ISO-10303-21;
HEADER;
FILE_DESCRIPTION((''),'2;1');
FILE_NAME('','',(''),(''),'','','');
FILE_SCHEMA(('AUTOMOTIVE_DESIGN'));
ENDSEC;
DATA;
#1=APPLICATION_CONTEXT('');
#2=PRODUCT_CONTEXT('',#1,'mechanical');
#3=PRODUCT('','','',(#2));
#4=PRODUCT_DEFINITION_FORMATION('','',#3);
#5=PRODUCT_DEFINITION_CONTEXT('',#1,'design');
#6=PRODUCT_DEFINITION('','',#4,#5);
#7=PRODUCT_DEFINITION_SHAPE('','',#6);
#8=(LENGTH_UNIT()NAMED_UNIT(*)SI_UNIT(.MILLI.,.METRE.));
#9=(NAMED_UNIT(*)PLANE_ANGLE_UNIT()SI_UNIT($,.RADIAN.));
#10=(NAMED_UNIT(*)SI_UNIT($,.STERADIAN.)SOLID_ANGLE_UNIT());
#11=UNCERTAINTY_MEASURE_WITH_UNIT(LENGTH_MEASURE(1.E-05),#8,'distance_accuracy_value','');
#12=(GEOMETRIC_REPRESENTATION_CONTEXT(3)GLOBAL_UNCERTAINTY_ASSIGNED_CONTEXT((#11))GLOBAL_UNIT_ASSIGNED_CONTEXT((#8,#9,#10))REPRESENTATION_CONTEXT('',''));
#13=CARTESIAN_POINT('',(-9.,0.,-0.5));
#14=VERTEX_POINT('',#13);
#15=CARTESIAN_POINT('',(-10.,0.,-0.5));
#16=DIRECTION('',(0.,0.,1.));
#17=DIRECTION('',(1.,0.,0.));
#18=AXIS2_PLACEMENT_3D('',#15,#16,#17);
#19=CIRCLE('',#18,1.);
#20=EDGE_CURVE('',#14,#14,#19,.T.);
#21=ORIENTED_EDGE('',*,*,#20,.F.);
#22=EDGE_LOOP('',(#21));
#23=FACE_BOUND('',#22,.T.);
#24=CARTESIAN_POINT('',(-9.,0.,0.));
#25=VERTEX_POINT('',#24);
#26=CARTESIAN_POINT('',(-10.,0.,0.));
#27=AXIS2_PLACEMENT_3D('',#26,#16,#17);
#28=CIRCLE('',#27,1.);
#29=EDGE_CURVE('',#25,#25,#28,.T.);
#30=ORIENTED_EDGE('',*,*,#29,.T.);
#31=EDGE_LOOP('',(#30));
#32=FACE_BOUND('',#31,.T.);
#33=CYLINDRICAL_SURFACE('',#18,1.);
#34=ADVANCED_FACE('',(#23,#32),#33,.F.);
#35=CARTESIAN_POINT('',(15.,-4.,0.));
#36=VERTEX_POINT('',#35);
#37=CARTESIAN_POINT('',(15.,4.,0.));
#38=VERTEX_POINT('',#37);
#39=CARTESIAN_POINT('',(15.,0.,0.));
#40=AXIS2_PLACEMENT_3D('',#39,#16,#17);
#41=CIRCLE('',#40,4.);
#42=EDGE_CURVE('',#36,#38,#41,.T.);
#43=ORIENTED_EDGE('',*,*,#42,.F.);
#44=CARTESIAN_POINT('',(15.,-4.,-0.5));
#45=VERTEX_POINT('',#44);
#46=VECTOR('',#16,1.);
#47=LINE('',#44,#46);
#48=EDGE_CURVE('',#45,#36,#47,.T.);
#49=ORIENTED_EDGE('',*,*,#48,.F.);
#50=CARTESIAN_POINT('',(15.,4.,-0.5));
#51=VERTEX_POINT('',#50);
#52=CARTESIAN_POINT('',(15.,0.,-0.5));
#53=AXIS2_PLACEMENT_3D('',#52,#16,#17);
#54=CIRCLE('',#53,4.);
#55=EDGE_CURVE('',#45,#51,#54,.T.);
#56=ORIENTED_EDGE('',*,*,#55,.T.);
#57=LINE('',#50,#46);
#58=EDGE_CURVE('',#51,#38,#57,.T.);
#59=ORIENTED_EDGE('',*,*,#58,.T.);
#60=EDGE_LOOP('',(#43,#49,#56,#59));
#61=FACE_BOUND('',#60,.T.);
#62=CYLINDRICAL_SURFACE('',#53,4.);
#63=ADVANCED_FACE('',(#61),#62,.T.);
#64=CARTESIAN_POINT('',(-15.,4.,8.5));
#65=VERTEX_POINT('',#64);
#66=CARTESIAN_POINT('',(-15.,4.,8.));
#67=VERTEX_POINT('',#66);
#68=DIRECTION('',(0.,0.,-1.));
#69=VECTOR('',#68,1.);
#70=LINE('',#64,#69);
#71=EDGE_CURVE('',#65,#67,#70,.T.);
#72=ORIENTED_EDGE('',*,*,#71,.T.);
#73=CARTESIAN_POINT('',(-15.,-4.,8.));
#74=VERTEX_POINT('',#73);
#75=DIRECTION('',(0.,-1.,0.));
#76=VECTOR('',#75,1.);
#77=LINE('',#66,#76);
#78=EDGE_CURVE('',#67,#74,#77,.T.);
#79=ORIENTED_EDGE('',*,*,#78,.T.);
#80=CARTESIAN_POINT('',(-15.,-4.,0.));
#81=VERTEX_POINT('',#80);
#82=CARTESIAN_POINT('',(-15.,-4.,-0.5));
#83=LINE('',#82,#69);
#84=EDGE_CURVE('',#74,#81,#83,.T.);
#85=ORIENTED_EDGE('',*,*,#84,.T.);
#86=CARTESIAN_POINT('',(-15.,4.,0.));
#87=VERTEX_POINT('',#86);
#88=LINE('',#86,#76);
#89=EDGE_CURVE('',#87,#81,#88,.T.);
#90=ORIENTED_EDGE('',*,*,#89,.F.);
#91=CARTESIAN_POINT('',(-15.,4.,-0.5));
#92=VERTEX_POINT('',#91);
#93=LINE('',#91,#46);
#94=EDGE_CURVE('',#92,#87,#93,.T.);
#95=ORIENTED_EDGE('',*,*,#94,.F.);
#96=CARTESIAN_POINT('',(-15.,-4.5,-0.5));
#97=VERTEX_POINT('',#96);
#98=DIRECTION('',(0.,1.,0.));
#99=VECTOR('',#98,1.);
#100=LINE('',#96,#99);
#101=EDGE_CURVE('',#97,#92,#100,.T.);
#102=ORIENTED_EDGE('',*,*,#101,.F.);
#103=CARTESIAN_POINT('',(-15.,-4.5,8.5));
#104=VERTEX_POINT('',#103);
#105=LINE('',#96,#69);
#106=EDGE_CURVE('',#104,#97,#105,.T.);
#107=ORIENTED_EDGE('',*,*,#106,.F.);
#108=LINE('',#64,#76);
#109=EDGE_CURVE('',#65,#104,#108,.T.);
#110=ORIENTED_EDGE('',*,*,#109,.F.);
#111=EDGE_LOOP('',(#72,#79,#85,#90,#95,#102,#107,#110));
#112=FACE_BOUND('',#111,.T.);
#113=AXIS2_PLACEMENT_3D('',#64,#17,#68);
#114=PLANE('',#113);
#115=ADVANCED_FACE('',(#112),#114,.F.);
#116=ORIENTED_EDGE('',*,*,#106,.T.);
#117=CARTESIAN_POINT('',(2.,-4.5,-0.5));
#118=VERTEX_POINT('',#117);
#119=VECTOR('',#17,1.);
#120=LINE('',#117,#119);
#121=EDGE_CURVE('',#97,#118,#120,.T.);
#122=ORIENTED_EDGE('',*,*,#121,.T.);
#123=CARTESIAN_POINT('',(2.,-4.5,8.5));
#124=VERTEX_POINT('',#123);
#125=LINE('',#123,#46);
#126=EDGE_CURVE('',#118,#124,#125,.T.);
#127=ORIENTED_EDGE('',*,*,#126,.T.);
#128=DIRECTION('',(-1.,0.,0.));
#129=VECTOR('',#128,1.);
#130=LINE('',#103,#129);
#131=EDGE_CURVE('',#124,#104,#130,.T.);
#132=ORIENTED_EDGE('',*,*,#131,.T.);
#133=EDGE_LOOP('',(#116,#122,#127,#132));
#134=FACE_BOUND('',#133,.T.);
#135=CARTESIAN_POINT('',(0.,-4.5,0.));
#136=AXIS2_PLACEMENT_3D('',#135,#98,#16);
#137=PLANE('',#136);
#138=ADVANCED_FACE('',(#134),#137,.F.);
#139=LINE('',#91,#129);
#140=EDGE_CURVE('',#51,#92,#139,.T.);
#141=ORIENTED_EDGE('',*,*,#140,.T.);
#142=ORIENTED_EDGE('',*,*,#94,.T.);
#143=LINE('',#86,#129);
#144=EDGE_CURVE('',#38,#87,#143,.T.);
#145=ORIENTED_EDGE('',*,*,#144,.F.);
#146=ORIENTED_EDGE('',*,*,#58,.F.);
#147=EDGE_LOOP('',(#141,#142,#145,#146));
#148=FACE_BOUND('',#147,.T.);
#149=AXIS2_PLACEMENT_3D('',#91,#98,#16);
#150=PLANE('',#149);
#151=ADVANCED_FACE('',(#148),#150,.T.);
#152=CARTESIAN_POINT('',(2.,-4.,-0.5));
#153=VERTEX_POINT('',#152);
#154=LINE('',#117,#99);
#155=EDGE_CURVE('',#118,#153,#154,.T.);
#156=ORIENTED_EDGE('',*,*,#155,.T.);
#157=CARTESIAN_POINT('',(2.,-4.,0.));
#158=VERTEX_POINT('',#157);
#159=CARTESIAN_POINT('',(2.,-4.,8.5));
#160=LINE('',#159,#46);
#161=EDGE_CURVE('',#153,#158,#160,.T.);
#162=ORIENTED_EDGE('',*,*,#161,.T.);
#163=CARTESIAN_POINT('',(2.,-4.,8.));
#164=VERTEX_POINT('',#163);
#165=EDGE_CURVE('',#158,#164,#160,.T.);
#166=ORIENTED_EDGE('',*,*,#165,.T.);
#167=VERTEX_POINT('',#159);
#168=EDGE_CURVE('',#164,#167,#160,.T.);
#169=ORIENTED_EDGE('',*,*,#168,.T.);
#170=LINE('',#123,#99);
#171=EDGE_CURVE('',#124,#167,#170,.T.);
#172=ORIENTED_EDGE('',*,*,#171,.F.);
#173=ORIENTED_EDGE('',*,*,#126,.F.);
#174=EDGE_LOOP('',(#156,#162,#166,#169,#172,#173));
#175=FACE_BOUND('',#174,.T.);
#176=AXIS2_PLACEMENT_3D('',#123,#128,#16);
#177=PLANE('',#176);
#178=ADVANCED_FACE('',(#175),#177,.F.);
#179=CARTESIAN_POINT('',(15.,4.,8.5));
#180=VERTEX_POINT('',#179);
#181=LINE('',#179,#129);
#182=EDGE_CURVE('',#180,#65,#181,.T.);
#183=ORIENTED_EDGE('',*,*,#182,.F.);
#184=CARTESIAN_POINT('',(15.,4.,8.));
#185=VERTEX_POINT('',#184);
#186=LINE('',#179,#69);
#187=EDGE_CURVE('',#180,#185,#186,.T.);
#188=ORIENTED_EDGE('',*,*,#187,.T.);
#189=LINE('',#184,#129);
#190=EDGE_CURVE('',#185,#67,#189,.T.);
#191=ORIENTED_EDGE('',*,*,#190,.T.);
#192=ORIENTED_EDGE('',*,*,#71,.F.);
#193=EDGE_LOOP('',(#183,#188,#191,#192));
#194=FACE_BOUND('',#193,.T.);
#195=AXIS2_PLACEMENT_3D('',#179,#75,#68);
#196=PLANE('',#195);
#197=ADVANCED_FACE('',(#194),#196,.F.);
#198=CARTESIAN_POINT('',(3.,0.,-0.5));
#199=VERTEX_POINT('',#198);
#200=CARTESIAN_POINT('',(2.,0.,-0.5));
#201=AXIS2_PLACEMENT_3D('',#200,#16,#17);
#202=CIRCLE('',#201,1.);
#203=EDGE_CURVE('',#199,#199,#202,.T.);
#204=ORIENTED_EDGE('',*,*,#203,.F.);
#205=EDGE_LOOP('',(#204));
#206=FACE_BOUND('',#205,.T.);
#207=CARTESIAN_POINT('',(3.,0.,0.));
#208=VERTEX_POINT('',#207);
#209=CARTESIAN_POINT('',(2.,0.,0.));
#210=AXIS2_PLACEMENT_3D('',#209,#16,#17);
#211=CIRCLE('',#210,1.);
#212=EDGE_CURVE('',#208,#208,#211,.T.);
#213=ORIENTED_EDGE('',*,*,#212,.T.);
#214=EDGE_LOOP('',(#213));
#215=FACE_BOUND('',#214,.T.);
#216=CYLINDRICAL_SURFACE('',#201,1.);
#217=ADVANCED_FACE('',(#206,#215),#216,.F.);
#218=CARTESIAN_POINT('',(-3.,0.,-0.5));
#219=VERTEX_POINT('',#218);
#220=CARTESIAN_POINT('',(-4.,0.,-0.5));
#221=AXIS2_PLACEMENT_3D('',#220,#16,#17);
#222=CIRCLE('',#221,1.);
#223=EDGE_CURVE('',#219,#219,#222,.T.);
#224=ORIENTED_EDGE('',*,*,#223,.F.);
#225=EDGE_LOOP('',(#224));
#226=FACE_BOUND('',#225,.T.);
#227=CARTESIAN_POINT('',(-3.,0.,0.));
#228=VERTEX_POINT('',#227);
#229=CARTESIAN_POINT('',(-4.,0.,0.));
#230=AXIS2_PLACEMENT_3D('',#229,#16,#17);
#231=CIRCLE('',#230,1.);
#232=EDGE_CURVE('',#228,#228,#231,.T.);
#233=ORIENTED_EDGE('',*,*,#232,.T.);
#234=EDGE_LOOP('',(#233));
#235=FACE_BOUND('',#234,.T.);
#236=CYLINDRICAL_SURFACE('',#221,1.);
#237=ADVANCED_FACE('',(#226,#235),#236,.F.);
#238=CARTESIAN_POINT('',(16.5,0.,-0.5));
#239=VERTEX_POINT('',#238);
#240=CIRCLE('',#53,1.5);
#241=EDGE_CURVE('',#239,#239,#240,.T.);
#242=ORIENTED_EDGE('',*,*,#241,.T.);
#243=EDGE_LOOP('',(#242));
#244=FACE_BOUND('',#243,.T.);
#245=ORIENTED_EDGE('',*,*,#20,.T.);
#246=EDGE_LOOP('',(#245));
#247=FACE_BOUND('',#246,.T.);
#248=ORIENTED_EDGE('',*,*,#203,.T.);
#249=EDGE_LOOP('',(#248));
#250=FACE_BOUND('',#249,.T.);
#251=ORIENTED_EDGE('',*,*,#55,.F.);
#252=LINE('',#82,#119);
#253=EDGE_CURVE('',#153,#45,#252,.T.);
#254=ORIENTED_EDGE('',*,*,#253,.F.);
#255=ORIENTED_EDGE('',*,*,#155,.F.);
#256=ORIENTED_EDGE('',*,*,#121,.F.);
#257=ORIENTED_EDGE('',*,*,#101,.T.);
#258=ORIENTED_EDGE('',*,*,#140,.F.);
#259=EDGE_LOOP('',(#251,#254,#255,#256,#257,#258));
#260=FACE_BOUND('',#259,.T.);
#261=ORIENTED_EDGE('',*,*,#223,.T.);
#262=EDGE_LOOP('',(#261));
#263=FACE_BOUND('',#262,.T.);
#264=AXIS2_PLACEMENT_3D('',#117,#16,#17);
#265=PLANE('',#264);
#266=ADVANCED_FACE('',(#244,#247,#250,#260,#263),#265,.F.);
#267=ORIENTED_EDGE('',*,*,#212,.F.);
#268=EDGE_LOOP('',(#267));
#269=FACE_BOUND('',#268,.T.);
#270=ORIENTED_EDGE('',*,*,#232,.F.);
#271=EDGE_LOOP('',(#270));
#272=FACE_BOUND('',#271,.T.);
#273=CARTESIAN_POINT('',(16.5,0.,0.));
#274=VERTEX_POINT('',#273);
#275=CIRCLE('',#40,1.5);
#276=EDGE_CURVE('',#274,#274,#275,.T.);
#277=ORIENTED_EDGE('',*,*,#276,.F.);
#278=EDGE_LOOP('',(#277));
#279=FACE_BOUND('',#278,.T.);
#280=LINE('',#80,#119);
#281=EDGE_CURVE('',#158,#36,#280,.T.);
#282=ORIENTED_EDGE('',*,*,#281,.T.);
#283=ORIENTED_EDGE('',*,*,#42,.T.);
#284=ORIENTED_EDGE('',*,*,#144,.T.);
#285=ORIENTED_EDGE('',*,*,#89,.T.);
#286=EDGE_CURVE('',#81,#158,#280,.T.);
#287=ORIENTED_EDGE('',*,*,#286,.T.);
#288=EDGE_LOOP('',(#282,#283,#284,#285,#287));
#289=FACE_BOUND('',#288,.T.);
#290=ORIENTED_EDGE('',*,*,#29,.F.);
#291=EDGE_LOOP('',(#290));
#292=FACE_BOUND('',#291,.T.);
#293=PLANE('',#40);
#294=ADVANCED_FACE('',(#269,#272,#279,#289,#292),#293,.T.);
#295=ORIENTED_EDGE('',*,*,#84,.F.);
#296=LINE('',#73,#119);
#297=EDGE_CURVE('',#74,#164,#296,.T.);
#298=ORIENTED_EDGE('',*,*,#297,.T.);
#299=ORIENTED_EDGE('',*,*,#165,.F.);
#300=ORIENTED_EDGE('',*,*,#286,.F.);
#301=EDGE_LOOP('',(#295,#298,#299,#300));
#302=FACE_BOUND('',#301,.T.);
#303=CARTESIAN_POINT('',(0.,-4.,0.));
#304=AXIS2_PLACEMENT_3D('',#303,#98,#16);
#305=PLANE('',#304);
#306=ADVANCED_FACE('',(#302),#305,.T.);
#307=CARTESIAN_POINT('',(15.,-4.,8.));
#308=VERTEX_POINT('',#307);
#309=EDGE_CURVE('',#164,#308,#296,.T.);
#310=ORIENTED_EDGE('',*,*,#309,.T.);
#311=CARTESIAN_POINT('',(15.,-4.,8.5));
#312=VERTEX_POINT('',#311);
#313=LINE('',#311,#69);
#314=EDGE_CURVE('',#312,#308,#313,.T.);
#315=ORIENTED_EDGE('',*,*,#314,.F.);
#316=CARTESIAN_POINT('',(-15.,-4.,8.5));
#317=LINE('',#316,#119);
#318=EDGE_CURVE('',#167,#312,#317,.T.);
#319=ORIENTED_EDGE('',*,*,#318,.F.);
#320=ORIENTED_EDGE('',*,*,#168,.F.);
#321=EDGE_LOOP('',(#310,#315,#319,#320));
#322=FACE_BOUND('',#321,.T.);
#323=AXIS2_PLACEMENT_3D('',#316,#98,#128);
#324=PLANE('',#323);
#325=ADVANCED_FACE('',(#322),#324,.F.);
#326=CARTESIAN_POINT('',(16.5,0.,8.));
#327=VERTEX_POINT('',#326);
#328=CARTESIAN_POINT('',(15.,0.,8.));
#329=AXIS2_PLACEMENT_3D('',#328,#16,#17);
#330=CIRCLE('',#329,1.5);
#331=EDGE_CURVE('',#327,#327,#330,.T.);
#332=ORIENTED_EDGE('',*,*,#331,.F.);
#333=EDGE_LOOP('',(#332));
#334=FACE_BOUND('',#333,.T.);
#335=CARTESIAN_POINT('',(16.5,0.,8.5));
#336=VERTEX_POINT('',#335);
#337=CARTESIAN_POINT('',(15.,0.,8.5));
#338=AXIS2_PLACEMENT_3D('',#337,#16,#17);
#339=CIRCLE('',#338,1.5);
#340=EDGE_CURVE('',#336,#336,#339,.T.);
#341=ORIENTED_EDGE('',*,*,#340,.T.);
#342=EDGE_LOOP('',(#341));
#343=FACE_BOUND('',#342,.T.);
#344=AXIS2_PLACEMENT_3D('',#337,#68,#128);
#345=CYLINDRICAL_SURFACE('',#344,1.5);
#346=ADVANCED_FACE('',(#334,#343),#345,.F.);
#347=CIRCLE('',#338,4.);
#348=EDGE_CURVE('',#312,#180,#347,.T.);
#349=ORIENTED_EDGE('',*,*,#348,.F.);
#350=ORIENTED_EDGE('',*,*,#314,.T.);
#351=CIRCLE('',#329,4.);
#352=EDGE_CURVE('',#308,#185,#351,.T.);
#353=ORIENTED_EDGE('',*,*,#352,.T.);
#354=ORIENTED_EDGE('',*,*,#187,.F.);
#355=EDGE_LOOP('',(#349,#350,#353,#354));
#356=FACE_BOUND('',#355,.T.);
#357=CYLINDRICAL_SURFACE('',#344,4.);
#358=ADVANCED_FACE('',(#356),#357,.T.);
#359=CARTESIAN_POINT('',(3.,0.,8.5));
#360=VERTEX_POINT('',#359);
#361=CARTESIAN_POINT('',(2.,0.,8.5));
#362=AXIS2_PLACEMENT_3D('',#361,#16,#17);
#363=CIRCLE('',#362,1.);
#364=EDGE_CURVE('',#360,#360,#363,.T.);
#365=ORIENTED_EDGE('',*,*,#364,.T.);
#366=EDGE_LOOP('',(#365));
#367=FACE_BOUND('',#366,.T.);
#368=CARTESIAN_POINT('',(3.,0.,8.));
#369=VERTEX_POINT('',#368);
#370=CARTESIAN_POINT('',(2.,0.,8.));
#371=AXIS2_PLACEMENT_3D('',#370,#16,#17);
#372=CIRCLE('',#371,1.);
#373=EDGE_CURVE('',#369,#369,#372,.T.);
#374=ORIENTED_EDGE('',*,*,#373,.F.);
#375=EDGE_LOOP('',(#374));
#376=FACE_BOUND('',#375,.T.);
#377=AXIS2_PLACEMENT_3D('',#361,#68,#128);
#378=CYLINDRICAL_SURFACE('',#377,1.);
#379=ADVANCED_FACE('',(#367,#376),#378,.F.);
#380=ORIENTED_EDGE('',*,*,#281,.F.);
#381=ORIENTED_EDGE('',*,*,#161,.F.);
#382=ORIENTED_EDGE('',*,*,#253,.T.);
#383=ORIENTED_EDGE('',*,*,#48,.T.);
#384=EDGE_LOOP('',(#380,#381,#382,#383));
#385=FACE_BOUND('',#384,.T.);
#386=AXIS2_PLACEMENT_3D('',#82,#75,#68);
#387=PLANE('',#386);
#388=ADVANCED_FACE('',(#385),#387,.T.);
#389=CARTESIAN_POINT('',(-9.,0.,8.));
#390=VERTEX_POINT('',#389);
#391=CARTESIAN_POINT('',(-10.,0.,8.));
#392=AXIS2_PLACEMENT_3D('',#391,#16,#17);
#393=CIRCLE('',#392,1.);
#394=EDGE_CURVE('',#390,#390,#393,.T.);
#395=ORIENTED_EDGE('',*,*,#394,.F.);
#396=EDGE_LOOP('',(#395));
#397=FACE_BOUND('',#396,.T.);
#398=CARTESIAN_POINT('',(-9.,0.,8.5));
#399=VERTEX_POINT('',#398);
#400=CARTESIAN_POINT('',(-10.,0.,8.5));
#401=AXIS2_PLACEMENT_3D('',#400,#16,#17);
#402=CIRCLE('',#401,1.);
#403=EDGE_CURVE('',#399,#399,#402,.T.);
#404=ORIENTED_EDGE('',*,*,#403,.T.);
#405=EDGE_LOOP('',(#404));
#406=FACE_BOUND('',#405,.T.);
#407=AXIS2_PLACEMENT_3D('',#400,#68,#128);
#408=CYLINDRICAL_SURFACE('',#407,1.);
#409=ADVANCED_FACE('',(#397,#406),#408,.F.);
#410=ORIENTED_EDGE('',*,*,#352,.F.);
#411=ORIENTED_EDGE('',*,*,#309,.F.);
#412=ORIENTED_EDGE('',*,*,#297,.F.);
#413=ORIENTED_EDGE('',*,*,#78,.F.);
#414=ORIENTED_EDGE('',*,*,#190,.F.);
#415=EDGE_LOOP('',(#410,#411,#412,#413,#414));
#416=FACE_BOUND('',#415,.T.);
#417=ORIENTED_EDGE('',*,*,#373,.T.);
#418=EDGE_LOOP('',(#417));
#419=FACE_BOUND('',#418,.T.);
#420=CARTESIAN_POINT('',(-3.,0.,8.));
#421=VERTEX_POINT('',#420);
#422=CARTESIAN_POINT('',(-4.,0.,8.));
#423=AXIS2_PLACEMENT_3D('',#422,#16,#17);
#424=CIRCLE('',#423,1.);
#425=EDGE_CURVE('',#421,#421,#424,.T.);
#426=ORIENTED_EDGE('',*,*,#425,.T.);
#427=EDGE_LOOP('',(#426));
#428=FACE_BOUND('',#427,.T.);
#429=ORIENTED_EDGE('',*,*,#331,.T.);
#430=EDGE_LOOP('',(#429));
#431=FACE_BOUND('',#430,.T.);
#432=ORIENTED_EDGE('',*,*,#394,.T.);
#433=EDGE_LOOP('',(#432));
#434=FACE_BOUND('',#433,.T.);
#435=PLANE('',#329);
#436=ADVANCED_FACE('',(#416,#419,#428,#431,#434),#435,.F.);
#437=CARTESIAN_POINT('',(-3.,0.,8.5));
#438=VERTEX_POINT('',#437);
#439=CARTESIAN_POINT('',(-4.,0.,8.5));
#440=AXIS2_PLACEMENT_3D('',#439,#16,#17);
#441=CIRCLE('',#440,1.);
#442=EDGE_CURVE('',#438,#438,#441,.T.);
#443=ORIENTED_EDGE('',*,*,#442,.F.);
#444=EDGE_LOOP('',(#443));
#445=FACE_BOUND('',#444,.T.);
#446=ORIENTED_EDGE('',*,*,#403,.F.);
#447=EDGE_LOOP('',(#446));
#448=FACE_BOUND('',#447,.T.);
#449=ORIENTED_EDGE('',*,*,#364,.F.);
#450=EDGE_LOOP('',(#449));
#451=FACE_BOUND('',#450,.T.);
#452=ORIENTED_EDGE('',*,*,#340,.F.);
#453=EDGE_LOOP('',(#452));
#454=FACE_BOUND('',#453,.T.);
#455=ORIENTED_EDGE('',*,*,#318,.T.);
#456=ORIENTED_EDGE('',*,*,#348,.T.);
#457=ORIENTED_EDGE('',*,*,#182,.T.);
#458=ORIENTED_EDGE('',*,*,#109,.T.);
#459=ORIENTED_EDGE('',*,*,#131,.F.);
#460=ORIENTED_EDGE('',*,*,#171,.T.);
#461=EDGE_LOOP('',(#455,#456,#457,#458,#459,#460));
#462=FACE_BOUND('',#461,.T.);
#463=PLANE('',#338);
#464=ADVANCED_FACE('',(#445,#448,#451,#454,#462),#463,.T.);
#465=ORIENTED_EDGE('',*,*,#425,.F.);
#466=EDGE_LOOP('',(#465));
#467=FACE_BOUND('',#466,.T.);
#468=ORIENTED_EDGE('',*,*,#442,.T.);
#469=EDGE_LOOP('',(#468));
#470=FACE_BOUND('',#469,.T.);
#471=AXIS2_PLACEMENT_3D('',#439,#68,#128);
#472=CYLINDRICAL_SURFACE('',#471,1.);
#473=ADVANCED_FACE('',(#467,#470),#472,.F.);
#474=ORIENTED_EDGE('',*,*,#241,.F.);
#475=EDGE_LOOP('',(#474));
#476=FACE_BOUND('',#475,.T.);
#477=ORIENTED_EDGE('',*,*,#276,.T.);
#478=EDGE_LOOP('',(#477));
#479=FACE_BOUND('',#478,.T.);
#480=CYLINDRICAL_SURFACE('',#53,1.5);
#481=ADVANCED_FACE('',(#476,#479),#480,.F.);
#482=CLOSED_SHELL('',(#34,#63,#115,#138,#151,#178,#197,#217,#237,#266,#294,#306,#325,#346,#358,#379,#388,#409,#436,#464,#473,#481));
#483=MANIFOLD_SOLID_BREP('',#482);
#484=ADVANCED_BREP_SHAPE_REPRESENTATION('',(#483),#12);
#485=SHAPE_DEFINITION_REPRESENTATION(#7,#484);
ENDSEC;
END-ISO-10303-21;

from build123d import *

# Parameters (mm, degrees)
SKETCH_2_R      = 1.5
SKETCH_2_R_2    = 1
EXTRUDE_1_DEPTH = 0.5
SKETCH_1_R      = 1.5
SKETCH_1_R_2    = 1
EXTRUDE_2_DEPTH = 0.5
SKETCH_3_W      = 17
SKETCH_3_H      = 9
EXTRUDE_3_DEPTH = 0.5


with BuildPart() as part:
    # 草图2 → 凸台-拉伸1 (new body)
    with BuildSketch(Plane.XY.offset(8)):
        with BuildLine():
            Line((15, 4), (-15, 4))
            Line((-15, 4), (-15, -4))
            Line((-15, -4), (15, -4))
            ThreePointArc((15, -4), (19, 0), (15, 4))
        make_face()
        with Locations((15, 0)):
            Circle(SKETCH_2_R, mode=Mode.SUBTRACT)
        with Locations((2, 0)):
            Circle(SKETCH_2_R_2, mode=Mode.SUBTRACT)
        with Locations((-4, 0)):
            Circle(SKETCH_2_R_2, mode=Mode.SUBTRACT)
        with Locations((-10, 0)):
            Circle(SKETCH_2_R_2, mode=Mode.SUBTRACT)
    extrude(amount=EXTRUDE_1_DEPTH)



with BuildPart() as body_2:
    # 草图1 → 凸台-拉伸2 (new body)
    with BuildSketch(Plane.XY):
        with BuildLine():
            Line((-15, 4), (15, 4))
            ThreePointArc((15, 4), (19, 0), (15, -4))
            Line((15, -4), (-15, -4))
            Line((-15, -4), (-15, 4))
        make_face()
        with Locations((15, 0)):
            Circle(SKETCH_1_R, mode=Mode.SUBTRACT)
        with Locations((-10, 0)):
            Circle(SKETCH_1_R_2, mode=Mode.SUBTRACT)
        with Locations((-4, 0)):
            Circle(SKETCH_1_R_2, mode=Mode.SUBTRACT)
        with Locations((2, 0)):
            Circle(SKETCH_1_R_2, mode=Mode.SUBTRACT)
    extrude(amount=-EXTRUDE_2_DEPTH)


with BuildPart() as part_1:
    add(part.part)

    add(body_2.part)  # 凸台-拉伸3 merges body 2
    # 草图3 → 凸台-拉伸3 (add)
    with BuildSketch(Plane(origin=(0, -4, 0), x_dir=(-1, 0, 0), z_dir=(0, -1, 0))):
        with Locations((6.5, -4)):
            Rectangle(SKETCH_3_W, SKETCH_3_H)
    extrude(amount=EXTRUDE_3_DEPTH)


solid = part_1.part
